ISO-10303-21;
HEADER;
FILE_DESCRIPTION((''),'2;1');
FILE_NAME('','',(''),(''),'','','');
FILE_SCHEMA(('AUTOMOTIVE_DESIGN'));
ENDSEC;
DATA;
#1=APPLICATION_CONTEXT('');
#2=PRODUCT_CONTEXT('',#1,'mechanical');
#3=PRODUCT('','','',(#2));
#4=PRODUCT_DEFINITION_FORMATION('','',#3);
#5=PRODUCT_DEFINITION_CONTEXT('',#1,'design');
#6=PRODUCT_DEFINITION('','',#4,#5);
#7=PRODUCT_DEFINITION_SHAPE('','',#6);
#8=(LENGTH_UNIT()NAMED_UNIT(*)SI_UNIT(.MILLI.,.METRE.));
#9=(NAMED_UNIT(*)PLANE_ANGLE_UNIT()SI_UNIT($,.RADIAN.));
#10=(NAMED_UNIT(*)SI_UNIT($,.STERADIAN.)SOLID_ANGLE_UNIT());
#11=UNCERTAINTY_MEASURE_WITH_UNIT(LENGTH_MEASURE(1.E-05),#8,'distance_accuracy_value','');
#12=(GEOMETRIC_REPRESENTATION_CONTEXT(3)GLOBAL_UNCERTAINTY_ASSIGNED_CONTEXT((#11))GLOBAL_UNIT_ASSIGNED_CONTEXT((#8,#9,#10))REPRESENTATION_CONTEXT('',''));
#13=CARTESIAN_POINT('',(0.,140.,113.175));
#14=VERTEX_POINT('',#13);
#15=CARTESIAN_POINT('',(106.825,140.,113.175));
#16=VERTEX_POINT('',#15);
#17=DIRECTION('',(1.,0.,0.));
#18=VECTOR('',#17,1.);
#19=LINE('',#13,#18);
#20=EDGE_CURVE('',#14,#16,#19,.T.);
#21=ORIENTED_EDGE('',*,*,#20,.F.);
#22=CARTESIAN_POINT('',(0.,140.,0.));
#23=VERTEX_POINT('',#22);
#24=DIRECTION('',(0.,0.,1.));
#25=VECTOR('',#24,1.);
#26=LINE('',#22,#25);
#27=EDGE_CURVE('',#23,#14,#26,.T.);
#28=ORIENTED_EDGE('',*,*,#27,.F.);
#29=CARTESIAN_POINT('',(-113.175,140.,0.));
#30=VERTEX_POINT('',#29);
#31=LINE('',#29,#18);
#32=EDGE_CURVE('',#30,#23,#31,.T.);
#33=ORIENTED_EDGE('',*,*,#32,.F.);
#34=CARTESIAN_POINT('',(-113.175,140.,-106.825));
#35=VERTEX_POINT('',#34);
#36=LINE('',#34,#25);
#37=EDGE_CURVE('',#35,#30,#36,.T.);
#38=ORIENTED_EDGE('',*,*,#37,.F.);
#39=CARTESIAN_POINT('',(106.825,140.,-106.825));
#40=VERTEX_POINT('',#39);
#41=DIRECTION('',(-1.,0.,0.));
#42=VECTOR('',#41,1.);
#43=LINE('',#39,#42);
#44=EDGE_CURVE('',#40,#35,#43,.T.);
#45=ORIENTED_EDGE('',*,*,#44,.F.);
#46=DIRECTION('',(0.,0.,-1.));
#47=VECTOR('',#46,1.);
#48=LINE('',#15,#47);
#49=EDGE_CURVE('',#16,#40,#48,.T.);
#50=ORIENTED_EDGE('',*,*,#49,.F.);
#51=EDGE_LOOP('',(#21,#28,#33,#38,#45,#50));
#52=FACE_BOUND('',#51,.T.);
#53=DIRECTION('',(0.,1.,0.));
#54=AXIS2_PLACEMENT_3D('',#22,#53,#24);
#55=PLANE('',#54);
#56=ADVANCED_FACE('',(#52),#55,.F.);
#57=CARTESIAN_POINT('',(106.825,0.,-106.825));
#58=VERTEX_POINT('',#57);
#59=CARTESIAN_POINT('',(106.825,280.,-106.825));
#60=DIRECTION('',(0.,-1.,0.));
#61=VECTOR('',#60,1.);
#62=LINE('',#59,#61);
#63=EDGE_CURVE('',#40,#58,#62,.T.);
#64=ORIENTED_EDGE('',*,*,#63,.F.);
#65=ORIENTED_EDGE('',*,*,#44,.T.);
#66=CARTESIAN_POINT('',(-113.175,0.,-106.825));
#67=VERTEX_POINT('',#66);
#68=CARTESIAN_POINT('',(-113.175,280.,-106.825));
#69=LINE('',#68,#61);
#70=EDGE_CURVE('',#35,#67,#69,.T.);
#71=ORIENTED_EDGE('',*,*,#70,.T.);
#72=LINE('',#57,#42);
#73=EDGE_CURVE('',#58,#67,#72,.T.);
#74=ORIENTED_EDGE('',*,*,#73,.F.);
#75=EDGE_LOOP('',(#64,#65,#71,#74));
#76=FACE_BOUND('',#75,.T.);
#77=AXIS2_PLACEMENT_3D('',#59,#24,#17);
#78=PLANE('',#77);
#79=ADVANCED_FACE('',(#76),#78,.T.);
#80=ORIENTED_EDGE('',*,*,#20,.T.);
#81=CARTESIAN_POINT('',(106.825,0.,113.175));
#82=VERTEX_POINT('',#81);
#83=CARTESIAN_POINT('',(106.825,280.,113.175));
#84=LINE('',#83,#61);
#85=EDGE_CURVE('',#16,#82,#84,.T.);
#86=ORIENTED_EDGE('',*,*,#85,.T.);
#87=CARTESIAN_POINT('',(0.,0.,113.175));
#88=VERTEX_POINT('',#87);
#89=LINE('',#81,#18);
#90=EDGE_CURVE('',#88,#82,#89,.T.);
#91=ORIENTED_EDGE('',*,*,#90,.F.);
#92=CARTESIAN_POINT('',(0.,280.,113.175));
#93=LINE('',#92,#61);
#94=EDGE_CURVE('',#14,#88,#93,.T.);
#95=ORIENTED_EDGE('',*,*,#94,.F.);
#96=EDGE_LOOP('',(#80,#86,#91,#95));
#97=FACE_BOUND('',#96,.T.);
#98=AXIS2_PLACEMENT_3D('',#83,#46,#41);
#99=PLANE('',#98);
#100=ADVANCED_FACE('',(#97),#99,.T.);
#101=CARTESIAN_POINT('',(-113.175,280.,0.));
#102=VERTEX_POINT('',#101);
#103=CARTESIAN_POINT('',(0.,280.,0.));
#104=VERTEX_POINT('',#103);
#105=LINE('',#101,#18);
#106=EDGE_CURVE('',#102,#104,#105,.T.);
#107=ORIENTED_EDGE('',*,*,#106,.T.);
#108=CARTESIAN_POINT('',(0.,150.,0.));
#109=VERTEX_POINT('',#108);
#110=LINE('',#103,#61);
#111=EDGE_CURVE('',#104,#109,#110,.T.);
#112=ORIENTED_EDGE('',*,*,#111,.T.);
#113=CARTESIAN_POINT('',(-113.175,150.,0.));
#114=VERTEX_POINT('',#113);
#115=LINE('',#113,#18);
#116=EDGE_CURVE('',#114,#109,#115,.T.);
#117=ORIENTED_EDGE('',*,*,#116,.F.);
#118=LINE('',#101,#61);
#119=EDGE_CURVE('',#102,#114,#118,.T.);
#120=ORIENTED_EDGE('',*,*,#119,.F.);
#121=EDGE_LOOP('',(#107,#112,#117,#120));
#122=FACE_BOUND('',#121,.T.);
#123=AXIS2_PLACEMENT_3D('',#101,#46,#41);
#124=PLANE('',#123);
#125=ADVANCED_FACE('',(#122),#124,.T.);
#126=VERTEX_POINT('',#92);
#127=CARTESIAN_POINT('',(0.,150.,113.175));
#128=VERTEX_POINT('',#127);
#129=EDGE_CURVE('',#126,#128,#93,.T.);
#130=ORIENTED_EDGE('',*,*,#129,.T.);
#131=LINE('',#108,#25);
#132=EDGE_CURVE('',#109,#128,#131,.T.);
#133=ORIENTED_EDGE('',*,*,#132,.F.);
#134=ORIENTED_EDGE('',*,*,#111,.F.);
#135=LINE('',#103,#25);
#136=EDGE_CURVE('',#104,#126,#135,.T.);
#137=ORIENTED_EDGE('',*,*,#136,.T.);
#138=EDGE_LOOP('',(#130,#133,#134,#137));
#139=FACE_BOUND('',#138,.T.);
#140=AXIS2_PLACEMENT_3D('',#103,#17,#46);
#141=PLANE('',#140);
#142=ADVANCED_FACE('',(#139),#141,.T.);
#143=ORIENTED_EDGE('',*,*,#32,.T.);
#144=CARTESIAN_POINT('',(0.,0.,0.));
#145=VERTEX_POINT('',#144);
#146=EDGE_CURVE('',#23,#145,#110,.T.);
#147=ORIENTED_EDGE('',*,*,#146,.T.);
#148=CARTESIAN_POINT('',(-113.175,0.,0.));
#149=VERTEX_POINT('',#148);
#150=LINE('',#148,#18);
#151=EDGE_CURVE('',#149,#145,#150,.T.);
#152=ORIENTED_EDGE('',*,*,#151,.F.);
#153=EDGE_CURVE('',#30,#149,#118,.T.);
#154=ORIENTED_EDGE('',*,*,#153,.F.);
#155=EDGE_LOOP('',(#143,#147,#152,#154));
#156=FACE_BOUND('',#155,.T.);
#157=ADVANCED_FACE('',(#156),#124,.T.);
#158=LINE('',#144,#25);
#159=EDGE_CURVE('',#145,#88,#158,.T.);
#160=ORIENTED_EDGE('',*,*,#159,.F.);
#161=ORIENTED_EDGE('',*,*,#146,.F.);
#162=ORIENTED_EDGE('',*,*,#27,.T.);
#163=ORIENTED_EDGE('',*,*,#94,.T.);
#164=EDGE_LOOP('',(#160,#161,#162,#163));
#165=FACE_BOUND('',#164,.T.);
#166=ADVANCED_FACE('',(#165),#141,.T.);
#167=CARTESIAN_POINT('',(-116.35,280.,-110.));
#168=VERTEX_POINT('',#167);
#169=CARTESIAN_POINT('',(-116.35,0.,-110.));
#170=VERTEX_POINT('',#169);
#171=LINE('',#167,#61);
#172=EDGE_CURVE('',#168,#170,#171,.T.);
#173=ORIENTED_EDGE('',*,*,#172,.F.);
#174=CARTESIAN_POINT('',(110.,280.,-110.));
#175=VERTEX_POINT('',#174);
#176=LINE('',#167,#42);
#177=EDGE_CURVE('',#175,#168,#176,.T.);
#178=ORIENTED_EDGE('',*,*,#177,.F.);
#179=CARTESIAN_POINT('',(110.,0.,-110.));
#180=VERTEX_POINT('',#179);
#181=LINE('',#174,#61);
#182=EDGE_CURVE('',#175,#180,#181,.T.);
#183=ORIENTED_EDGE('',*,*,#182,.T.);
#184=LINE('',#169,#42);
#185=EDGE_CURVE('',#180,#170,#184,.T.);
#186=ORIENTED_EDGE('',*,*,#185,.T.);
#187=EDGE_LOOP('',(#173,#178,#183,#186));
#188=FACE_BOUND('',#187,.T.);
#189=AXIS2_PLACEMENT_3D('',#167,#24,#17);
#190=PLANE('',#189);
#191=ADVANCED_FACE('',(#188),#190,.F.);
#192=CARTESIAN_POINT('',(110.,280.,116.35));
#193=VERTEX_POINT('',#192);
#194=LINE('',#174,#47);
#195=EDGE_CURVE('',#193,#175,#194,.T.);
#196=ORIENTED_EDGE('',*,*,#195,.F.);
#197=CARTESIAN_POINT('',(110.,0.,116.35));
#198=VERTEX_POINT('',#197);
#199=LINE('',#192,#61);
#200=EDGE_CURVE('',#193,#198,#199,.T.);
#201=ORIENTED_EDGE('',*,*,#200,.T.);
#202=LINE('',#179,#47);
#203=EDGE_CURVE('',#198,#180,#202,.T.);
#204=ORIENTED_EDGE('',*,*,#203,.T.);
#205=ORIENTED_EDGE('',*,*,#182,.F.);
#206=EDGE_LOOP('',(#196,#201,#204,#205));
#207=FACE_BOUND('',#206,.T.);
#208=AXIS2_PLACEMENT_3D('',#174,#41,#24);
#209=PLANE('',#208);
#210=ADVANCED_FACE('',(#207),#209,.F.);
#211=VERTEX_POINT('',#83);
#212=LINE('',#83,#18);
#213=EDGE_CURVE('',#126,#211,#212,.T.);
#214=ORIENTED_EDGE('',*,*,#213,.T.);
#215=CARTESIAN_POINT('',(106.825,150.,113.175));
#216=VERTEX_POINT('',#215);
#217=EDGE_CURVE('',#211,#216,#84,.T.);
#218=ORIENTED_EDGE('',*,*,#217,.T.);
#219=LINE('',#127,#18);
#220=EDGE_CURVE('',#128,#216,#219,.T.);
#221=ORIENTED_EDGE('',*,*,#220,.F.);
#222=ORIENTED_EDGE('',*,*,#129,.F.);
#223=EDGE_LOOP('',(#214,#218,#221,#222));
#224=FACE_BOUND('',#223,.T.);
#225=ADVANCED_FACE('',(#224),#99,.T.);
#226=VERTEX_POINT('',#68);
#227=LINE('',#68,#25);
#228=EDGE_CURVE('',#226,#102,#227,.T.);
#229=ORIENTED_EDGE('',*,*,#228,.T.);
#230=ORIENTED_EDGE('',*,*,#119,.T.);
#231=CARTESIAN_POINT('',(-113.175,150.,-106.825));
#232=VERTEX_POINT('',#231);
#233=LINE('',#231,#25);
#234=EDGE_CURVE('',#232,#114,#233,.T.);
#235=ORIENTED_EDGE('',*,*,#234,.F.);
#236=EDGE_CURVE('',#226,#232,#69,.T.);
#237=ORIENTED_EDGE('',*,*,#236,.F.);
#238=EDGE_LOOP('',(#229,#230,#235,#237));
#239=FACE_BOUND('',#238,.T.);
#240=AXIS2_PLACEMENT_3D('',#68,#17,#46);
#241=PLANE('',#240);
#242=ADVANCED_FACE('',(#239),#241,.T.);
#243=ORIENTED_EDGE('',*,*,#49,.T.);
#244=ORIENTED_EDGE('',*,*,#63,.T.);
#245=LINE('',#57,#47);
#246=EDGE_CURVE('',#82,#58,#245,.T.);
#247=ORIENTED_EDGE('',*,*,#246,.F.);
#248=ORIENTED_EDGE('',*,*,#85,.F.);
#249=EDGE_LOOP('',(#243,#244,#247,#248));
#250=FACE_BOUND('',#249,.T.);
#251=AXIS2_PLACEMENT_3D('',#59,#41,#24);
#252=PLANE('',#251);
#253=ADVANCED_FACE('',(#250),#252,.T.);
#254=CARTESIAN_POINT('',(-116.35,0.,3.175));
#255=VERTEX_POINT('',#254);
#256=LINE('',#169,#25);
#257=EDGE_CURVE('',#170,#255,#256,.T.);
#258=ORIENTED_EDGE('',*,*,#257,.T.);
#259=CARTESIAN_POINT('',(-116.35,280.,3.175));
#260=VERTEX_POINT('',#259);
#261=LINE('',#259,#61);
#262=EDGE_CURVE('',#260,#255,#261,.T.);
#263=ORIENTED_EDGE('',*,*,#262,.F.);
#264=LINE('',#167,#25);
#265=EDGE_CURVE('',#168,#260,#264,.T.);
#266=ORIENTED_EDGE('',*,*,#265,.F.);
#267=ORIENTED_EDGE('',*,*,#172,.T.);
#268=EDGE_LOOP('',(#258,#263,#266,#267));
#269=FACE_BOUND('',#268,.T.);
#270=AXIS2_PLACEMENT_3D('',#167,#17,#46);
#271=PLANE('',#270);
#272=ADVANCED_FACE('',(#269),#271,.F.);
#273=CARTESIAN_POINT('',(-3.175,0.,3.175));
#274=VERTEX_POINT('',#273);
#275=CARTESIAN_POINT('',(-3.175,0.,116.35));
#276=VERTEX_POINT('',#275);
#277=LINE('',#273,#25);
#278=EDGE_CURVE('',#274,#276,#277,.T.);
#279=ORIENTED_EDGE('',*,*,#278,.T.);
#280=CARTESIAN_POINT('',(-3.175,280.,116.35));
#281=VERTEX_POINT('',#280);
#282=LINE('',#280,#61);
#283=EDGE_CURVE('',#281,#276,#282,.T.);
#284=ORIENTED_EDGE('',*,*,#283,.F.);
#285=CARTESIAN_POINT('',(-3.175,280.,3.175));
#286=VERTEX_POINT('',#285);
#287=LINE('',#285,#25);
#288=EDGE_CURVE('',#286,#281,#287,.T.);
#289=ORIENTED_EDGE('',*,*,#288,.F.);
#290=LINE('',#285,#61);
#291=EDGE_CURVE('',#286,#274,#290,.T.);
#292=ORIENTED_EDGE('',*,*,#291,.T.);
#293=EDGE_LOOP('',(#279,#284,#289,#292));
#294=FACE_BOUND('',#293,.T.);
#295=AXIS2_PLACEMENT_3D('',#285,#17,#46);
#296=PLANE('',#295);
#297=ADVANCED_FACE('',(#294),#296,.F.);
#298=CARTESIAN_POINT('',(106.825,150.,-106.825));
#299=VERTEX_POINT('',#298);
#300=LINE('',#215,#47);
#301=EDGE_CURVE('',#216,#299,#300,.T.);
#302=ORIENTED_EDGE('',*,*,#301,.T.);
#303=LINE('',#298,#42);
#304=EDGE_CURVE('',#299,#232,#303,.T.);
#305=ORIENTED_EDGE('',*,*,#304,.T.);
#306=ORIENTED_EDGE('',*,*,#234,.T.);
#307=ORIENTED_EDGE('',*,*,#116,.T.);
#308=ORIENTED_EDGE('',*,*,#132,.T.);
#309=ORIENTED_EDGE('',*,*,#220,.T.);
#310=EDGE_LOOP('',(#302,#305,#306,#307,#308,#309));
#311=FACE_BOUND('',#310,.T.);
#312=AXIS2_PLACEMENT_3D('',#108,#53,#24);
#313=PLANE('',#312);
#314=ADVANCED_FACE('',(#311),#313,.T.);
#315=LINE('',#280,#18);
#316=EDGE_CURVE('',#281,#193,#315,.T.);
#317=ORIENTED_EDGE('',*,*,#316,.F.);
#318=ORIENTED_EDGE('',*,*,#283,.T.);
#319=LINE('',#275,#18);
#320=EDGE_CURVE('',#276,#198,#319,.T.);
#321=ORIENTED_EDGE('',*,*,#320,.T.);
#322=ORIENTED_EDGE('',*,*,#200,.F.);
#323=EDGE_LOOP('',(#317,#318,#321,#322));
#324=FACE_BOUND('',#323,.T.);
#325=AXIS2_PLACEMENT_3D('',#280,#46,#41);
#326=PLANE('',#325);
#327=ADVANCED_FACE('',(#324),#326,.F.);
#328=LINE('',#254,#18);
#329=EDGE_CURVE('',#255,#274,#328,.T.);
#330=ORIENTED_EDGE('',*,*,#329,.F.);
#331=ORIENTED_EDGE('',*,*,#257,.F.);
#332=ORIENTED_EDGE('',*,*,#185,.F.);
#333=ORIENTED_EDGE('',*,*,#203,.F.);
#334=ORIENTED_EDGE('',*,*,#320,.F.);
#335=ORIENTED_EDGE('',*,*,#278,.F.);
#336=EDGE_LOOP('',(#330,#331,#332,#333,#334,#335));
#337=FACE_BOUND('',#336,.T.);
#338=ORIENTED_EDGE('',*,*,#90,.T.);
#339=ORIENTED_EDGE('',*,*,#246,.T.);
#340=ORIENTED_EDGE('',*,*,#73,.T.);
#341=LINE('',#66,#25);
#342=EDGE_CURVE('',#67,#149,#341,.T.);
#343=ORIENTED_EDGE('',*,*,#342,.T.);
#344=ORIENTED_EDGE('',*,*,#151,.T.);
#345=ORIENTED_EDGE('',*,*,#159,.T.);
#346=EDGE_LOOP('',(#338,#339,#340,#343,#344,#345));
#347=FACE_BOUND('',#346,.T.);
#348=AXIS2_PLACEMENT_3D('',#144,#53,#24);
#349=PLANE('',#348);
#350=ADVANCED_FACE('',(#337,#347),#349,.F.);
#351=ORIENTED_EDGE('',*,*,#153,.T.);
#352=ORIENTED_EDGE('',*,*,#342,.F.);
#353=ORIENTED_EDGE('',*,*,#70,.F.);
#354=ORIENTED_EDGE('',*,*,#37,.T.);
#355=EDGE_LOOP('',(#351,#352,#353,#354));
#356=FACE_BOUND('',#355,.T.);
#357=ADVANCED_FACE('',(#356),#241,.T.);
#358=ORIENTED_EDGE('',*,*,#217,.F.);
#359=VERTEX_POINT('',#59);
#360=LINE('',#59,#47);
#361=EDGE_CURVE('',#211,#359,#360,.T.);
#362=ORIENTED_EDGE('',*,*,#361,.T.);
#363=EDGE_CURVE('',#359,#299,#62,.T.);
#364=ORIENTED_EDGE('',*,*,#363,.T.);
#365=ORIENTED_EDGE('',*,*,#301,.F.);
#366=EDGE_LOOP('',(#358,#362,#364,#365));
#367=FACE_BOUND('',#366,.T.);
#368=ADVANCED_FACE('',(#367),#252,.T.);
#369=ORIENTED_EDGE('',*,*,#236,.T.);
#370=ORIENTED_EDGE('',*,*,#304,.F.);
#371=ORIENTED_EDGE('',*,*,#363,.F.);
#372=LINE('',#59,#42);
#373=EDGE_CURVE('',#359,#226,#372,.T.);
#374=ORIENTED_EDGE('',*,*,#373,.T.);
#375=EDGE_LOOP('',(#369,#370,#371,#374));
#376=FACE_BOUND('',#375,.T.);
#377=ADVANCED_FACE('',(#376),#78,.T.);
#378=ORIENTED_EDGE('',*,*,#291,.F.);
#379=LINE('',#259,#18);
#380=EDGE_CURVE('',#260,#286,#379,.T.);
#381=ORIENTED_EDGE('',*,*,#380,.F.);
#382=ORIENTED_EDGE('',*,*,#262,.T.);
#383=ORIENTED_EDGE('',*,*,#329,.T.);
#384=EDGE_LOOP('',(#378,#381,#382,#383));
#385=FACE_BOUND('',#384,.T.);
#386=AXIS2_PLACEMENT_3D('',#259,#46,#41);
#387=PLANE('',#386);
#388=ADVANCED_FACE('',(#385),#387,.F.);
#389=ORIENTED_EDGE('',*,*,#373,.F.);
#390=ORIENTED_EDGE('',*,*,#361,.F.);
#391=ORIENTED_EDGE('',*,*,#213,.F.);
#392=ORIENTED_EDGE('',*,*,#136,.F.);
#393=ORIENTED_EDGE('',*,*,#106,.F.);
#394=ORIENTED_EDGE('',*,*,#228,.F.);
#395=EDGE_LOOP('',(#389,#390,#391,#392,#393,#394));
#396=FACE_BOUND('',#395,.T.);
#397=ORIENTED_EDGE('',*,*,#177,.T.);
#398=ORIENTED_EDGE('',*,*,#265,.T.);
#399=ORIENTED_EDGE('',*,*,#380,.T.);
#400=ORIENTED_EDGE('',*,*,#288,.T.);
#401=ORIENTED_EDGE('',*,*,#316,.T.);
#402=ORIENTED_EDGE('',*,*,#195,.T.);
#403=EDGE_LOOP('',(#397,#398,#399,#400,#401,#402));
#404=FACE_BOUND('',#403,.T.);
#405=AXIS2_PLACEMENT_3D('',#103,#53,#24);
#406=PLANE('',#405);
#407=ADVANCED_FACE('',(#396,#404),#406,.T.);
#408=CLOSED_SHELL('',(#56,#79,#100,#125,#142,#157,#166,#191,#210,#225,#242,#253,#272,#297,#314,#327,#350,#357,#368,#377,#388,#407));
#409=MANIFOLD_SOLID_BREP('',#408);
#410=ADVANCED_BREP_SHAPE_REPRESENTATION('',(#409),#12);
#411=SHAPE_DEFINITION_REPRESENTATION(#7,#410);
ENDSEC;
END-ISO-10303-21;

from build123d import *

# Parameters (mm, degrees)
BOSS_EXTRUDE1_DEPTH = 280
BOSS_EXTRUDE2_START = 140
BOSS_EXTRUDE2_DEPTH = 10


with BuildPart() as part:
    # Sketch1 → Boss-Extrude1 (new body)
    with BuildSketch(Plane(origin=(0, 0, 0), x_dir=(1, 0, 0), z_dir=(0, 1, 0))):
        Polygon((-116.35, -3.175), (-3.175, -3.175), (-3.175, -116.35), (110, -116.35), (110, 110), (-116.35, 110), align=None)
        Polygon((-113.175, 0), (0, 0), (0, -113.175), (106.825, -113.175), (106.825, 106.825), (-113.175, 106.825), align=None, mode=Mode.SUBTRACT)
    extrude(amount=BOSS_EXTRUDE1_DEPTH)

    # Sketch2 → Boss-Extrude2 (add)
    with BuildSketch(Plane(origin=(0, 0, 0), x_dir=(1, 0, 0), z_dir=(0, 1, 0)).offset(BOSS_EXTRUDE2_START)):
        Polygon((-113.175, 106.825), (-113.175, 0), (0, 0), (0, -113.175), (106.825, -113.175), (106.825, 106.825), align=None)
    extrude(amount=BOSS_EXTRUDE2_DEPTH)


solid = part.part
